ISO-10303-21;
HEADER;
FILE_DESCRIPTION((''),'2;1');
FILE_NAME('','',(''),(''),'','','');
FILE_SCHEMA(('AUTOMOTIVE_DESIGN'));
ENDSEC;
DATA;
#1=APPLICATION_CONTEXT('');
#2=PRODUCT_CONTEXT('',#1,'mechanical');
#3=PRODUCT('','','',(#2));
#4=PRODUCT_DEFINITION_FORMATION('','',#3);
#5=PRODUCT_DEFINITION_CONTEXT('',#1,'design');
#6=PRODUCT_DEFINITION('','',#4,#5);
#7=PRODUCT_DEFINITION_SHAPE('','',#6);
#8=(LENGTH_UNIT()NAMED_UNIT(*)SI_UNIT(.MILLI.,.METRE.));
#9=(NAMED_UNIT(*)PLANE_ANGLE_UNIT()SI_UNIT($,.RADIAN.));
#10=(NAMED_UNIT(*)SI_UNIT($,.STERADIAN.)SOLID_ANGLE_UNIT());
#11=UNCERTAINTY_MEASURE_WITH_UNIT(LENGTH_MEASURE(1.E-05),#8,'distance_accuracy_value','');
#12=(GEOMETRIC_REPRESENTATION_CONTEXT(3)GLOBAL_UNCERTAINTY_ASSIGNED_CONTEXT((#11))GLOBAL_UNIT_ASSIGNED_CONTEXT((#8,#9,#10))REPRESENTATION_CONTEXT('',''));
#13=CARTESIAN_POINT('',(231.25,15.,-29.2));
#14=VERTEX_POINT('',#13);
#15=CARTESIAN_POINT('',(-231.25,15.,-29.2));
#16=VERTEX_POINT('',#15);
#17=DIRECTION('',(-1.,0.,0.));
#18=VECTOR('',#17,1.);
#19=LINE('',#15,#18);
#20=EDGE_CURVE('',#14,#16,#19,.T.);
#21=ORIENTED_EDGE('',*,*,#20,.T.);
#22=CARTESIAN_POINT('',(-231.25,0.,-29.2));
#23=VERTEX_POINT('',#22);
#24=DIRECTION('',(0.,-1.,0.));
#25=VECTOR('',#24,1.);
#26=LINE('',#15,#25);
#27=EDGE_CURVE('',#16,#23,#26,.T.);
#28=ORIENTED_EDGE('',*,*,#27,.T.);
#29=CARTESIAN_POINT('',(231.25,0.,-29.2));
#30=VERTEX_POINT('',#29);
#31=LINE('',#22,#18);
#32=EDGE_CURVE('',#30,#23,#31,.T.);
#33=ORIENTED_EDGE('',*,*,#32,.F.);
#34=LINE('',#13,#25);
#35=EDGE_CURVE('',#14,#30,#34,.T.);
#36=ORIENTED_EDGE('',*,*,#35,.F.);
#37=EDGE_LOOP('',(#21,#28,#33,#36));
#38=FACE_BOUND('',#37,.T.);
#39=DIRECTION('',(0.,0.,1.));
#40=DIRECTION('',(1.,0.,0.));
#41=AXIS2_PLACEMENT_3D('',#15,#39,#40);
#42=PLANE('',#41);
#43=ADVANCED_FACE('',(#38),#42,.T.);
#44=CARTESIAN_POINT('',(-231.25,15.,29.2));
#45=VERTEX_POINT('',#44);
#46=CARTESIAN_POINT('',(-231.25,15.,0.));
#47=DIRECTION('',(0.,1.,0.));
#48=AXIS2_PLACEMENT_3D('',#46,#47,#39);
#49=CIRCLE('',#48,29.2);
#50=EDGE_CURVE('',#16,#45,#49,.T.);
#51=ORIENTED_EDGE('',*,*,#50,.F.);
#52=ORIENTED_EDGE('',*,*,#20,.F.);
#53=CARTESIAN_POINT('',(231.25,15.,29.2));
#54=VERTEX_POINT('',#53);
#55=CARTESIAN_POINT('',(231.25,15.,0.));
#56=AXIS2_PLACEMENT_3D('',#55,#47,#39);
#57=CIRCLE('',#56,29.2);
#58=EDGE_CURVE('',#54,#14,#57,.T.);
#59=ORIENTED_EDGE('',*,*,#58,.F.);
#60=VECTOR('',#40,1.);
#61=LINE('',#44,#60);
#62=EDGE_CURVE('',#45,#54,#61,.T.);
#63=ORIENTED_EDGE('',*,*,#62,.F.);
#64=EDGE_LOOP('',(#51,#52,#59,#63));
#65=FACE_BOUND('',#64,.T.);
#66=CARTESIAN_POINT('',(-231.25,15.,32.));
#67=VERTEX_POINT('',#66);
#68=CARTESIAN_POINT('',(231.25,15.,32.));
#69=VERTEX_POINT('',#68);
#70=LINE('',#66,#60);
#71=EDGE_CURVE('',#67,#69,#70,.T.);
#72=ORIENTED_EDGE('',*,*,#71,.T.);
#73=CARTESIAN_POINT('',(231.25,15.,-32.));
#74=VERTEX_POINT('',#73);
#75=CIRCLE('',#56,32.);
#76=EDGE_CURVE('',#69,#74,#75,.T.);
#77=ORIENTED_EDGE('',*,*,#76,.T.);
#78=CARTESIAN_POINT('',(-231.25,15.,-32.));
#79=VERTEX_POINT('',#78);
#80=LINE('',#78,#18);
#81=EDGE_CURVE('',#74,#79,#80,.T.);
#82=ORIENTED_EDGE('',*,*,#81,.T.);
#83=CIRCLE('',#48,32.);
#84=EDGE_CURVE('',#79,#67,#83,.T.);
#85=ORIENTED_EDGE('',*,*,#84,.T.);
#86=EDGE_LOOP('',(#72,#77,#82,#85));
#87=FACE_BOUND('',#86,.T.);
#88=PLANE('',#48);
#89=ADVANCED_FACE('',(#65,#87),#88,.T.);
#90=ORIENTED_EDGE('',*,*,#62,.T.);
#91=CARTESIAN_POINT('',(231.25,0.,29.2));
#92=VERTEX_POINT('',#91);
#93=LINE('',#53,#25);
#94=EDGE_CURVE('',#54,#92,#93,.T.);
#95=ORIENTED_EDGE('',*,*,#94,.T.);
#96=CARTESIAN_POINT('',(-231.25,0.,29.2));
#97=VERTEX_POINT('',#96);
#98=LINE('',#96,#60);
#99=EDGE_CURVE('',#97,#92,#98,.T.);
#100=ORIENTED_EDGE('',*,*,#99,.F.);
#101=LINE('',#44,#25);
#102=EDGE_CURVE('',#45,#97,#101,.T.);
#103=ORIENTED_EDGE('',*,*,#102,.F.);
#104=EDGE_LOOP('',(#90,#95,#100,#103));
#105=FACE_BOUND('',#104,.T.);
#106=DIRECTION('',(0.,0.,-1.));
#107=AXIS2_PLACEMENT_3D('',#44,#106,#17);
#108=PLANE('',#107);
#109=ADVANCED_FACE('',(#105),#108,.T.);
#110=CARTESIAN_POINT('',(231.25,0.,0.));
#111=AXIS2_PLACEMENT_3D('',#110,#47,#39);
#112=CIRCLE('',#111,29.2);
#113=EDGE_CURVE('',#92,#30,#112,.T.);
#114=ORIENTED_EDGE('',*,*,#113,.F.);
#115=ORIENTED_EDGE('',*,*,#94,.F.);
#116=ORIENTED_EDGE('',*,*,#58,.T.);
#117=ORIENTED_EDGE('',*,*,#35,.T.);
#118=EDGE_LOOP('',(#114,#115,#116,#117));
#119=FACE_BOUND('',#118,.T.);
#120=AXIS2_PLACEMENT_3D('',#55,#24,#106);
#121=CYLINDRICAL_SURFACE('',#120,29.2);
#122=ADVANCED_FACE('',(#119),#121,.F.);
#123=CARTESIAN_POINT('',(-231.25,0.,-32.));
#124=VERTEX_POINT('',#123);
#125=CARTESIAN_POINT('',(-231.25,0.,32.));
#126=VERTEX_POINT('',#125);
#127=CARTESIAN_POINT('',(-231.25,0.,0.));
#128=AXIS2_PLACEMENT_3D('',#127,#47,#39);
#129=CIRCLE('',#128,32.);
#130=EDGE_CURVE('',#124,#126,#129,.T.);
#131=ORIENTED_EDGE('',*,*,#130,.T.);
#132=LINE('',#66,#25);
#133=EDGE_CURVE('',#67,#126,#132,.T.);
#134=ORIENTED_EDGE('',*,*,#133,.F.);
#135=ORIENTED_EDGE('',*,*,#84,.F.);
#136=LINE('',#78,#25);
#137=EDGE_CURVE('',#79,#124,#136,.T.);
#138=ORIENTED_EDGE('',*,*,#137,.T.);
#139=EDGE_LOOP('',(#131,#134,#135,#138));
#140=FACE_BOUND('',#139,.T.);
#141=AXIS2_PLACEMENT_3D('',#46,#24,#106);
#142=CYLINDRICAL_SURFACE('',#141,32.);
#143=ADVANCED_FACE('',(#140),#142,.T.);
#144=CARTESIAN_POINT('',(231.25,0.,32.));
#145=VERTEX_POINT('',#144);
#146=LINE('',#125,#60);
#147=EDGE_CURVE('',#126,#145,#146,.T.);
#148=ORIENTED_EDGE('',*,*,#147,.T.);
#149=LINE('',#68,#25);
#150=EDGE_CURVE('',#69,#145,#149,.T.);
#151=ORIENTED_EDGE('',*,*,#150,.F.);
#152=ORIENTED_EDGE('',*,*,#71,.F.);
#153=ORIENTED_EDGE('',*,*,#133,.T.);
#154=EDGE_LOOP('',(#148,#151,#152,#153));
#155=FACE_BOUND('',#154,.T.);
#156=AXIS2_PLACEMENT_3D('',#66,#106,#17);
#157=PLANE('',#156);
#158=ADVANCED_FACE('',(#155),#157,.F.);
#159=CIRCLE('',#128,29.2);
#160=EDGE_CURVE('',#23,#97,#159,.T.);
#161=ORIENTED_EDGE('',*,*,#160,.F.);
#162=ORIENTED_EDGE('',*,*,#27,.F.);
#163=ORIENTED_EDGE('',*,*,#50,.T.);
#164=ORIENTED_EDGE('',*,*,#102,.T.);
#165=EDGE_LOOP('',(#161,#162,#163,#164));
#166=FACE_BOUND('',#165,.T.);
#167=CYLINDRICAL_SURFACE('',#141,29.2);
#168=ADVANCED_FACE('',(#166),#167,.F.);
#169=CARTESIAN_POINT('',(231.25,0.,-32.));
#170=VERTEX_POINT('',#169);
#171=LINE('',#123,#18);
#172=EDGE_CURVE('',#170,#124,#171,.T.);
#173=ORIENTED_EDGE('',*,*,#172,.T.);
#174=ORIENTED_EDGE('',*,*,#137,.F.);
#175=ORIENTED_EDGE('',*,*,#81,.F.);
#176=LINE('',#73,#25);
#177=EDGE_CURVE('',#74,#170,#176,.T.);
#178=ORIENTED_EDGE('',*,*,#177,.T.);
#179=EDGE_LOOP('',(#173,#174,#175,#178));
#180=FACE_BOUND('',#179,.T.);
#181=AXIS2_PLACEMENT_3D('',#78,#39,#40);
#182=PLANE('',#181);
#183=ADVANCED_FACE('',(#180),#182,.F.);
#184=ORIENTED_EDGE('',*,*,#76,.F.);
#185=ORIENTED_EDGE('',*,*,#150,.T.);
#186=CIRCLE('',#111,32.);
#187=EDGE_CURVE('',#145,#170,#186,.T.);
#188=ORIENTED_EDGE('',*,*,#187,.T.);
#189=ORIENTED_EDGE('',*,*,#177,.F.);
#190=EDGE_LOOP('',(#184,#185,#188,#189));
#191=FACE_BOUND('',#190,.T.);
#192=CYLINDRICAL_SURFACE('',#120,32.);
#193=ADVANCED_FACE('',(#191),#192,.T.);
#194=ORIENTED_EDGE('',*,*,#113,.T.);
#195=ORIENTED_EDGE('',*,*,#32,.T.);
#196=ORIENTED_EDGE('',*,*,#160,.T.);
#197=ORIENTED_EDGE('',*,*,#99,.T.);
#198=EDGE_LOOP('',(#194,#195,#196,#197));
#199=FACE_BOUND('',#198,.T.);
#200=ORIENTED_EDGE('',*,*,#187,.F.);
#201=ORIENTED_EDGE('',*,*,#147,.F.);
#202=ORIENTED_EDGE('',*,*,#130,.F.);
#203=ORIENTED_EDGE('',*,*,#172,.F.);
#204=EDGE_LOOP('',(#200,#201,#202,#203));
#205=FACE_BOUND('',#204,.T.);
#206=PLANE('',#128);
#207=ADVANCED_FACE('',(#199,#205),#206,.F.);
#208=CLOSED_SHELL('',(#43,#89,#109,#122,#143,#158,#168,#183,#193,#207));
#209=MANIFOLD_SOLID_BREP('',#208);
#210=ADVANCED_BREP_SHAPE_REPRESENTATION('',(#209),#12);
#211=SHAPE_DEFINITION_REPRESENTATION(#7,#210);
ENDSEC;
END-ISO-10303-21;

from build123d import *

# Parameters (mm, degrees)
BOSS_EXTRUDE1_DEPTH = 15


with BuildPart() as part:
    # Sketch1 → Boss-Extrude1 (new body)
    with BuildSketch(Plane(origin=(0, 0, 0), x_dir=(1, 0, 0), z_dir=(0, 1, 0))):
        with BuildLine():
            Line((-231.25, 32), (231.25, 32))
            ThreePointArc((231.25, 32), (263.25, 0), (231.25, -32))
            Line((231.25, -32), (-231.25, -32))
            ThreePointArc((-231.25, -32), (-263.25, 0), (-231.25, 32))
        make_face()
        with BuildLine():
            Line((-231.25, 29.2), (231.25, 29.2))
            ThreePointArc((231.25, 29.2), (260.45, 0), (231.25, -29.2))
            Line((231.25, -29.2), (-231.25, -29.2))
            ThreePointArc((-231.25, -29.2), (-260.45, 0), (-231.25, 29.2))
        make_face(mode=Mode.SUBTRACT)
    extrude(amount=BOSS_EXTRUDE1_DEPTH)


solid = part.part
